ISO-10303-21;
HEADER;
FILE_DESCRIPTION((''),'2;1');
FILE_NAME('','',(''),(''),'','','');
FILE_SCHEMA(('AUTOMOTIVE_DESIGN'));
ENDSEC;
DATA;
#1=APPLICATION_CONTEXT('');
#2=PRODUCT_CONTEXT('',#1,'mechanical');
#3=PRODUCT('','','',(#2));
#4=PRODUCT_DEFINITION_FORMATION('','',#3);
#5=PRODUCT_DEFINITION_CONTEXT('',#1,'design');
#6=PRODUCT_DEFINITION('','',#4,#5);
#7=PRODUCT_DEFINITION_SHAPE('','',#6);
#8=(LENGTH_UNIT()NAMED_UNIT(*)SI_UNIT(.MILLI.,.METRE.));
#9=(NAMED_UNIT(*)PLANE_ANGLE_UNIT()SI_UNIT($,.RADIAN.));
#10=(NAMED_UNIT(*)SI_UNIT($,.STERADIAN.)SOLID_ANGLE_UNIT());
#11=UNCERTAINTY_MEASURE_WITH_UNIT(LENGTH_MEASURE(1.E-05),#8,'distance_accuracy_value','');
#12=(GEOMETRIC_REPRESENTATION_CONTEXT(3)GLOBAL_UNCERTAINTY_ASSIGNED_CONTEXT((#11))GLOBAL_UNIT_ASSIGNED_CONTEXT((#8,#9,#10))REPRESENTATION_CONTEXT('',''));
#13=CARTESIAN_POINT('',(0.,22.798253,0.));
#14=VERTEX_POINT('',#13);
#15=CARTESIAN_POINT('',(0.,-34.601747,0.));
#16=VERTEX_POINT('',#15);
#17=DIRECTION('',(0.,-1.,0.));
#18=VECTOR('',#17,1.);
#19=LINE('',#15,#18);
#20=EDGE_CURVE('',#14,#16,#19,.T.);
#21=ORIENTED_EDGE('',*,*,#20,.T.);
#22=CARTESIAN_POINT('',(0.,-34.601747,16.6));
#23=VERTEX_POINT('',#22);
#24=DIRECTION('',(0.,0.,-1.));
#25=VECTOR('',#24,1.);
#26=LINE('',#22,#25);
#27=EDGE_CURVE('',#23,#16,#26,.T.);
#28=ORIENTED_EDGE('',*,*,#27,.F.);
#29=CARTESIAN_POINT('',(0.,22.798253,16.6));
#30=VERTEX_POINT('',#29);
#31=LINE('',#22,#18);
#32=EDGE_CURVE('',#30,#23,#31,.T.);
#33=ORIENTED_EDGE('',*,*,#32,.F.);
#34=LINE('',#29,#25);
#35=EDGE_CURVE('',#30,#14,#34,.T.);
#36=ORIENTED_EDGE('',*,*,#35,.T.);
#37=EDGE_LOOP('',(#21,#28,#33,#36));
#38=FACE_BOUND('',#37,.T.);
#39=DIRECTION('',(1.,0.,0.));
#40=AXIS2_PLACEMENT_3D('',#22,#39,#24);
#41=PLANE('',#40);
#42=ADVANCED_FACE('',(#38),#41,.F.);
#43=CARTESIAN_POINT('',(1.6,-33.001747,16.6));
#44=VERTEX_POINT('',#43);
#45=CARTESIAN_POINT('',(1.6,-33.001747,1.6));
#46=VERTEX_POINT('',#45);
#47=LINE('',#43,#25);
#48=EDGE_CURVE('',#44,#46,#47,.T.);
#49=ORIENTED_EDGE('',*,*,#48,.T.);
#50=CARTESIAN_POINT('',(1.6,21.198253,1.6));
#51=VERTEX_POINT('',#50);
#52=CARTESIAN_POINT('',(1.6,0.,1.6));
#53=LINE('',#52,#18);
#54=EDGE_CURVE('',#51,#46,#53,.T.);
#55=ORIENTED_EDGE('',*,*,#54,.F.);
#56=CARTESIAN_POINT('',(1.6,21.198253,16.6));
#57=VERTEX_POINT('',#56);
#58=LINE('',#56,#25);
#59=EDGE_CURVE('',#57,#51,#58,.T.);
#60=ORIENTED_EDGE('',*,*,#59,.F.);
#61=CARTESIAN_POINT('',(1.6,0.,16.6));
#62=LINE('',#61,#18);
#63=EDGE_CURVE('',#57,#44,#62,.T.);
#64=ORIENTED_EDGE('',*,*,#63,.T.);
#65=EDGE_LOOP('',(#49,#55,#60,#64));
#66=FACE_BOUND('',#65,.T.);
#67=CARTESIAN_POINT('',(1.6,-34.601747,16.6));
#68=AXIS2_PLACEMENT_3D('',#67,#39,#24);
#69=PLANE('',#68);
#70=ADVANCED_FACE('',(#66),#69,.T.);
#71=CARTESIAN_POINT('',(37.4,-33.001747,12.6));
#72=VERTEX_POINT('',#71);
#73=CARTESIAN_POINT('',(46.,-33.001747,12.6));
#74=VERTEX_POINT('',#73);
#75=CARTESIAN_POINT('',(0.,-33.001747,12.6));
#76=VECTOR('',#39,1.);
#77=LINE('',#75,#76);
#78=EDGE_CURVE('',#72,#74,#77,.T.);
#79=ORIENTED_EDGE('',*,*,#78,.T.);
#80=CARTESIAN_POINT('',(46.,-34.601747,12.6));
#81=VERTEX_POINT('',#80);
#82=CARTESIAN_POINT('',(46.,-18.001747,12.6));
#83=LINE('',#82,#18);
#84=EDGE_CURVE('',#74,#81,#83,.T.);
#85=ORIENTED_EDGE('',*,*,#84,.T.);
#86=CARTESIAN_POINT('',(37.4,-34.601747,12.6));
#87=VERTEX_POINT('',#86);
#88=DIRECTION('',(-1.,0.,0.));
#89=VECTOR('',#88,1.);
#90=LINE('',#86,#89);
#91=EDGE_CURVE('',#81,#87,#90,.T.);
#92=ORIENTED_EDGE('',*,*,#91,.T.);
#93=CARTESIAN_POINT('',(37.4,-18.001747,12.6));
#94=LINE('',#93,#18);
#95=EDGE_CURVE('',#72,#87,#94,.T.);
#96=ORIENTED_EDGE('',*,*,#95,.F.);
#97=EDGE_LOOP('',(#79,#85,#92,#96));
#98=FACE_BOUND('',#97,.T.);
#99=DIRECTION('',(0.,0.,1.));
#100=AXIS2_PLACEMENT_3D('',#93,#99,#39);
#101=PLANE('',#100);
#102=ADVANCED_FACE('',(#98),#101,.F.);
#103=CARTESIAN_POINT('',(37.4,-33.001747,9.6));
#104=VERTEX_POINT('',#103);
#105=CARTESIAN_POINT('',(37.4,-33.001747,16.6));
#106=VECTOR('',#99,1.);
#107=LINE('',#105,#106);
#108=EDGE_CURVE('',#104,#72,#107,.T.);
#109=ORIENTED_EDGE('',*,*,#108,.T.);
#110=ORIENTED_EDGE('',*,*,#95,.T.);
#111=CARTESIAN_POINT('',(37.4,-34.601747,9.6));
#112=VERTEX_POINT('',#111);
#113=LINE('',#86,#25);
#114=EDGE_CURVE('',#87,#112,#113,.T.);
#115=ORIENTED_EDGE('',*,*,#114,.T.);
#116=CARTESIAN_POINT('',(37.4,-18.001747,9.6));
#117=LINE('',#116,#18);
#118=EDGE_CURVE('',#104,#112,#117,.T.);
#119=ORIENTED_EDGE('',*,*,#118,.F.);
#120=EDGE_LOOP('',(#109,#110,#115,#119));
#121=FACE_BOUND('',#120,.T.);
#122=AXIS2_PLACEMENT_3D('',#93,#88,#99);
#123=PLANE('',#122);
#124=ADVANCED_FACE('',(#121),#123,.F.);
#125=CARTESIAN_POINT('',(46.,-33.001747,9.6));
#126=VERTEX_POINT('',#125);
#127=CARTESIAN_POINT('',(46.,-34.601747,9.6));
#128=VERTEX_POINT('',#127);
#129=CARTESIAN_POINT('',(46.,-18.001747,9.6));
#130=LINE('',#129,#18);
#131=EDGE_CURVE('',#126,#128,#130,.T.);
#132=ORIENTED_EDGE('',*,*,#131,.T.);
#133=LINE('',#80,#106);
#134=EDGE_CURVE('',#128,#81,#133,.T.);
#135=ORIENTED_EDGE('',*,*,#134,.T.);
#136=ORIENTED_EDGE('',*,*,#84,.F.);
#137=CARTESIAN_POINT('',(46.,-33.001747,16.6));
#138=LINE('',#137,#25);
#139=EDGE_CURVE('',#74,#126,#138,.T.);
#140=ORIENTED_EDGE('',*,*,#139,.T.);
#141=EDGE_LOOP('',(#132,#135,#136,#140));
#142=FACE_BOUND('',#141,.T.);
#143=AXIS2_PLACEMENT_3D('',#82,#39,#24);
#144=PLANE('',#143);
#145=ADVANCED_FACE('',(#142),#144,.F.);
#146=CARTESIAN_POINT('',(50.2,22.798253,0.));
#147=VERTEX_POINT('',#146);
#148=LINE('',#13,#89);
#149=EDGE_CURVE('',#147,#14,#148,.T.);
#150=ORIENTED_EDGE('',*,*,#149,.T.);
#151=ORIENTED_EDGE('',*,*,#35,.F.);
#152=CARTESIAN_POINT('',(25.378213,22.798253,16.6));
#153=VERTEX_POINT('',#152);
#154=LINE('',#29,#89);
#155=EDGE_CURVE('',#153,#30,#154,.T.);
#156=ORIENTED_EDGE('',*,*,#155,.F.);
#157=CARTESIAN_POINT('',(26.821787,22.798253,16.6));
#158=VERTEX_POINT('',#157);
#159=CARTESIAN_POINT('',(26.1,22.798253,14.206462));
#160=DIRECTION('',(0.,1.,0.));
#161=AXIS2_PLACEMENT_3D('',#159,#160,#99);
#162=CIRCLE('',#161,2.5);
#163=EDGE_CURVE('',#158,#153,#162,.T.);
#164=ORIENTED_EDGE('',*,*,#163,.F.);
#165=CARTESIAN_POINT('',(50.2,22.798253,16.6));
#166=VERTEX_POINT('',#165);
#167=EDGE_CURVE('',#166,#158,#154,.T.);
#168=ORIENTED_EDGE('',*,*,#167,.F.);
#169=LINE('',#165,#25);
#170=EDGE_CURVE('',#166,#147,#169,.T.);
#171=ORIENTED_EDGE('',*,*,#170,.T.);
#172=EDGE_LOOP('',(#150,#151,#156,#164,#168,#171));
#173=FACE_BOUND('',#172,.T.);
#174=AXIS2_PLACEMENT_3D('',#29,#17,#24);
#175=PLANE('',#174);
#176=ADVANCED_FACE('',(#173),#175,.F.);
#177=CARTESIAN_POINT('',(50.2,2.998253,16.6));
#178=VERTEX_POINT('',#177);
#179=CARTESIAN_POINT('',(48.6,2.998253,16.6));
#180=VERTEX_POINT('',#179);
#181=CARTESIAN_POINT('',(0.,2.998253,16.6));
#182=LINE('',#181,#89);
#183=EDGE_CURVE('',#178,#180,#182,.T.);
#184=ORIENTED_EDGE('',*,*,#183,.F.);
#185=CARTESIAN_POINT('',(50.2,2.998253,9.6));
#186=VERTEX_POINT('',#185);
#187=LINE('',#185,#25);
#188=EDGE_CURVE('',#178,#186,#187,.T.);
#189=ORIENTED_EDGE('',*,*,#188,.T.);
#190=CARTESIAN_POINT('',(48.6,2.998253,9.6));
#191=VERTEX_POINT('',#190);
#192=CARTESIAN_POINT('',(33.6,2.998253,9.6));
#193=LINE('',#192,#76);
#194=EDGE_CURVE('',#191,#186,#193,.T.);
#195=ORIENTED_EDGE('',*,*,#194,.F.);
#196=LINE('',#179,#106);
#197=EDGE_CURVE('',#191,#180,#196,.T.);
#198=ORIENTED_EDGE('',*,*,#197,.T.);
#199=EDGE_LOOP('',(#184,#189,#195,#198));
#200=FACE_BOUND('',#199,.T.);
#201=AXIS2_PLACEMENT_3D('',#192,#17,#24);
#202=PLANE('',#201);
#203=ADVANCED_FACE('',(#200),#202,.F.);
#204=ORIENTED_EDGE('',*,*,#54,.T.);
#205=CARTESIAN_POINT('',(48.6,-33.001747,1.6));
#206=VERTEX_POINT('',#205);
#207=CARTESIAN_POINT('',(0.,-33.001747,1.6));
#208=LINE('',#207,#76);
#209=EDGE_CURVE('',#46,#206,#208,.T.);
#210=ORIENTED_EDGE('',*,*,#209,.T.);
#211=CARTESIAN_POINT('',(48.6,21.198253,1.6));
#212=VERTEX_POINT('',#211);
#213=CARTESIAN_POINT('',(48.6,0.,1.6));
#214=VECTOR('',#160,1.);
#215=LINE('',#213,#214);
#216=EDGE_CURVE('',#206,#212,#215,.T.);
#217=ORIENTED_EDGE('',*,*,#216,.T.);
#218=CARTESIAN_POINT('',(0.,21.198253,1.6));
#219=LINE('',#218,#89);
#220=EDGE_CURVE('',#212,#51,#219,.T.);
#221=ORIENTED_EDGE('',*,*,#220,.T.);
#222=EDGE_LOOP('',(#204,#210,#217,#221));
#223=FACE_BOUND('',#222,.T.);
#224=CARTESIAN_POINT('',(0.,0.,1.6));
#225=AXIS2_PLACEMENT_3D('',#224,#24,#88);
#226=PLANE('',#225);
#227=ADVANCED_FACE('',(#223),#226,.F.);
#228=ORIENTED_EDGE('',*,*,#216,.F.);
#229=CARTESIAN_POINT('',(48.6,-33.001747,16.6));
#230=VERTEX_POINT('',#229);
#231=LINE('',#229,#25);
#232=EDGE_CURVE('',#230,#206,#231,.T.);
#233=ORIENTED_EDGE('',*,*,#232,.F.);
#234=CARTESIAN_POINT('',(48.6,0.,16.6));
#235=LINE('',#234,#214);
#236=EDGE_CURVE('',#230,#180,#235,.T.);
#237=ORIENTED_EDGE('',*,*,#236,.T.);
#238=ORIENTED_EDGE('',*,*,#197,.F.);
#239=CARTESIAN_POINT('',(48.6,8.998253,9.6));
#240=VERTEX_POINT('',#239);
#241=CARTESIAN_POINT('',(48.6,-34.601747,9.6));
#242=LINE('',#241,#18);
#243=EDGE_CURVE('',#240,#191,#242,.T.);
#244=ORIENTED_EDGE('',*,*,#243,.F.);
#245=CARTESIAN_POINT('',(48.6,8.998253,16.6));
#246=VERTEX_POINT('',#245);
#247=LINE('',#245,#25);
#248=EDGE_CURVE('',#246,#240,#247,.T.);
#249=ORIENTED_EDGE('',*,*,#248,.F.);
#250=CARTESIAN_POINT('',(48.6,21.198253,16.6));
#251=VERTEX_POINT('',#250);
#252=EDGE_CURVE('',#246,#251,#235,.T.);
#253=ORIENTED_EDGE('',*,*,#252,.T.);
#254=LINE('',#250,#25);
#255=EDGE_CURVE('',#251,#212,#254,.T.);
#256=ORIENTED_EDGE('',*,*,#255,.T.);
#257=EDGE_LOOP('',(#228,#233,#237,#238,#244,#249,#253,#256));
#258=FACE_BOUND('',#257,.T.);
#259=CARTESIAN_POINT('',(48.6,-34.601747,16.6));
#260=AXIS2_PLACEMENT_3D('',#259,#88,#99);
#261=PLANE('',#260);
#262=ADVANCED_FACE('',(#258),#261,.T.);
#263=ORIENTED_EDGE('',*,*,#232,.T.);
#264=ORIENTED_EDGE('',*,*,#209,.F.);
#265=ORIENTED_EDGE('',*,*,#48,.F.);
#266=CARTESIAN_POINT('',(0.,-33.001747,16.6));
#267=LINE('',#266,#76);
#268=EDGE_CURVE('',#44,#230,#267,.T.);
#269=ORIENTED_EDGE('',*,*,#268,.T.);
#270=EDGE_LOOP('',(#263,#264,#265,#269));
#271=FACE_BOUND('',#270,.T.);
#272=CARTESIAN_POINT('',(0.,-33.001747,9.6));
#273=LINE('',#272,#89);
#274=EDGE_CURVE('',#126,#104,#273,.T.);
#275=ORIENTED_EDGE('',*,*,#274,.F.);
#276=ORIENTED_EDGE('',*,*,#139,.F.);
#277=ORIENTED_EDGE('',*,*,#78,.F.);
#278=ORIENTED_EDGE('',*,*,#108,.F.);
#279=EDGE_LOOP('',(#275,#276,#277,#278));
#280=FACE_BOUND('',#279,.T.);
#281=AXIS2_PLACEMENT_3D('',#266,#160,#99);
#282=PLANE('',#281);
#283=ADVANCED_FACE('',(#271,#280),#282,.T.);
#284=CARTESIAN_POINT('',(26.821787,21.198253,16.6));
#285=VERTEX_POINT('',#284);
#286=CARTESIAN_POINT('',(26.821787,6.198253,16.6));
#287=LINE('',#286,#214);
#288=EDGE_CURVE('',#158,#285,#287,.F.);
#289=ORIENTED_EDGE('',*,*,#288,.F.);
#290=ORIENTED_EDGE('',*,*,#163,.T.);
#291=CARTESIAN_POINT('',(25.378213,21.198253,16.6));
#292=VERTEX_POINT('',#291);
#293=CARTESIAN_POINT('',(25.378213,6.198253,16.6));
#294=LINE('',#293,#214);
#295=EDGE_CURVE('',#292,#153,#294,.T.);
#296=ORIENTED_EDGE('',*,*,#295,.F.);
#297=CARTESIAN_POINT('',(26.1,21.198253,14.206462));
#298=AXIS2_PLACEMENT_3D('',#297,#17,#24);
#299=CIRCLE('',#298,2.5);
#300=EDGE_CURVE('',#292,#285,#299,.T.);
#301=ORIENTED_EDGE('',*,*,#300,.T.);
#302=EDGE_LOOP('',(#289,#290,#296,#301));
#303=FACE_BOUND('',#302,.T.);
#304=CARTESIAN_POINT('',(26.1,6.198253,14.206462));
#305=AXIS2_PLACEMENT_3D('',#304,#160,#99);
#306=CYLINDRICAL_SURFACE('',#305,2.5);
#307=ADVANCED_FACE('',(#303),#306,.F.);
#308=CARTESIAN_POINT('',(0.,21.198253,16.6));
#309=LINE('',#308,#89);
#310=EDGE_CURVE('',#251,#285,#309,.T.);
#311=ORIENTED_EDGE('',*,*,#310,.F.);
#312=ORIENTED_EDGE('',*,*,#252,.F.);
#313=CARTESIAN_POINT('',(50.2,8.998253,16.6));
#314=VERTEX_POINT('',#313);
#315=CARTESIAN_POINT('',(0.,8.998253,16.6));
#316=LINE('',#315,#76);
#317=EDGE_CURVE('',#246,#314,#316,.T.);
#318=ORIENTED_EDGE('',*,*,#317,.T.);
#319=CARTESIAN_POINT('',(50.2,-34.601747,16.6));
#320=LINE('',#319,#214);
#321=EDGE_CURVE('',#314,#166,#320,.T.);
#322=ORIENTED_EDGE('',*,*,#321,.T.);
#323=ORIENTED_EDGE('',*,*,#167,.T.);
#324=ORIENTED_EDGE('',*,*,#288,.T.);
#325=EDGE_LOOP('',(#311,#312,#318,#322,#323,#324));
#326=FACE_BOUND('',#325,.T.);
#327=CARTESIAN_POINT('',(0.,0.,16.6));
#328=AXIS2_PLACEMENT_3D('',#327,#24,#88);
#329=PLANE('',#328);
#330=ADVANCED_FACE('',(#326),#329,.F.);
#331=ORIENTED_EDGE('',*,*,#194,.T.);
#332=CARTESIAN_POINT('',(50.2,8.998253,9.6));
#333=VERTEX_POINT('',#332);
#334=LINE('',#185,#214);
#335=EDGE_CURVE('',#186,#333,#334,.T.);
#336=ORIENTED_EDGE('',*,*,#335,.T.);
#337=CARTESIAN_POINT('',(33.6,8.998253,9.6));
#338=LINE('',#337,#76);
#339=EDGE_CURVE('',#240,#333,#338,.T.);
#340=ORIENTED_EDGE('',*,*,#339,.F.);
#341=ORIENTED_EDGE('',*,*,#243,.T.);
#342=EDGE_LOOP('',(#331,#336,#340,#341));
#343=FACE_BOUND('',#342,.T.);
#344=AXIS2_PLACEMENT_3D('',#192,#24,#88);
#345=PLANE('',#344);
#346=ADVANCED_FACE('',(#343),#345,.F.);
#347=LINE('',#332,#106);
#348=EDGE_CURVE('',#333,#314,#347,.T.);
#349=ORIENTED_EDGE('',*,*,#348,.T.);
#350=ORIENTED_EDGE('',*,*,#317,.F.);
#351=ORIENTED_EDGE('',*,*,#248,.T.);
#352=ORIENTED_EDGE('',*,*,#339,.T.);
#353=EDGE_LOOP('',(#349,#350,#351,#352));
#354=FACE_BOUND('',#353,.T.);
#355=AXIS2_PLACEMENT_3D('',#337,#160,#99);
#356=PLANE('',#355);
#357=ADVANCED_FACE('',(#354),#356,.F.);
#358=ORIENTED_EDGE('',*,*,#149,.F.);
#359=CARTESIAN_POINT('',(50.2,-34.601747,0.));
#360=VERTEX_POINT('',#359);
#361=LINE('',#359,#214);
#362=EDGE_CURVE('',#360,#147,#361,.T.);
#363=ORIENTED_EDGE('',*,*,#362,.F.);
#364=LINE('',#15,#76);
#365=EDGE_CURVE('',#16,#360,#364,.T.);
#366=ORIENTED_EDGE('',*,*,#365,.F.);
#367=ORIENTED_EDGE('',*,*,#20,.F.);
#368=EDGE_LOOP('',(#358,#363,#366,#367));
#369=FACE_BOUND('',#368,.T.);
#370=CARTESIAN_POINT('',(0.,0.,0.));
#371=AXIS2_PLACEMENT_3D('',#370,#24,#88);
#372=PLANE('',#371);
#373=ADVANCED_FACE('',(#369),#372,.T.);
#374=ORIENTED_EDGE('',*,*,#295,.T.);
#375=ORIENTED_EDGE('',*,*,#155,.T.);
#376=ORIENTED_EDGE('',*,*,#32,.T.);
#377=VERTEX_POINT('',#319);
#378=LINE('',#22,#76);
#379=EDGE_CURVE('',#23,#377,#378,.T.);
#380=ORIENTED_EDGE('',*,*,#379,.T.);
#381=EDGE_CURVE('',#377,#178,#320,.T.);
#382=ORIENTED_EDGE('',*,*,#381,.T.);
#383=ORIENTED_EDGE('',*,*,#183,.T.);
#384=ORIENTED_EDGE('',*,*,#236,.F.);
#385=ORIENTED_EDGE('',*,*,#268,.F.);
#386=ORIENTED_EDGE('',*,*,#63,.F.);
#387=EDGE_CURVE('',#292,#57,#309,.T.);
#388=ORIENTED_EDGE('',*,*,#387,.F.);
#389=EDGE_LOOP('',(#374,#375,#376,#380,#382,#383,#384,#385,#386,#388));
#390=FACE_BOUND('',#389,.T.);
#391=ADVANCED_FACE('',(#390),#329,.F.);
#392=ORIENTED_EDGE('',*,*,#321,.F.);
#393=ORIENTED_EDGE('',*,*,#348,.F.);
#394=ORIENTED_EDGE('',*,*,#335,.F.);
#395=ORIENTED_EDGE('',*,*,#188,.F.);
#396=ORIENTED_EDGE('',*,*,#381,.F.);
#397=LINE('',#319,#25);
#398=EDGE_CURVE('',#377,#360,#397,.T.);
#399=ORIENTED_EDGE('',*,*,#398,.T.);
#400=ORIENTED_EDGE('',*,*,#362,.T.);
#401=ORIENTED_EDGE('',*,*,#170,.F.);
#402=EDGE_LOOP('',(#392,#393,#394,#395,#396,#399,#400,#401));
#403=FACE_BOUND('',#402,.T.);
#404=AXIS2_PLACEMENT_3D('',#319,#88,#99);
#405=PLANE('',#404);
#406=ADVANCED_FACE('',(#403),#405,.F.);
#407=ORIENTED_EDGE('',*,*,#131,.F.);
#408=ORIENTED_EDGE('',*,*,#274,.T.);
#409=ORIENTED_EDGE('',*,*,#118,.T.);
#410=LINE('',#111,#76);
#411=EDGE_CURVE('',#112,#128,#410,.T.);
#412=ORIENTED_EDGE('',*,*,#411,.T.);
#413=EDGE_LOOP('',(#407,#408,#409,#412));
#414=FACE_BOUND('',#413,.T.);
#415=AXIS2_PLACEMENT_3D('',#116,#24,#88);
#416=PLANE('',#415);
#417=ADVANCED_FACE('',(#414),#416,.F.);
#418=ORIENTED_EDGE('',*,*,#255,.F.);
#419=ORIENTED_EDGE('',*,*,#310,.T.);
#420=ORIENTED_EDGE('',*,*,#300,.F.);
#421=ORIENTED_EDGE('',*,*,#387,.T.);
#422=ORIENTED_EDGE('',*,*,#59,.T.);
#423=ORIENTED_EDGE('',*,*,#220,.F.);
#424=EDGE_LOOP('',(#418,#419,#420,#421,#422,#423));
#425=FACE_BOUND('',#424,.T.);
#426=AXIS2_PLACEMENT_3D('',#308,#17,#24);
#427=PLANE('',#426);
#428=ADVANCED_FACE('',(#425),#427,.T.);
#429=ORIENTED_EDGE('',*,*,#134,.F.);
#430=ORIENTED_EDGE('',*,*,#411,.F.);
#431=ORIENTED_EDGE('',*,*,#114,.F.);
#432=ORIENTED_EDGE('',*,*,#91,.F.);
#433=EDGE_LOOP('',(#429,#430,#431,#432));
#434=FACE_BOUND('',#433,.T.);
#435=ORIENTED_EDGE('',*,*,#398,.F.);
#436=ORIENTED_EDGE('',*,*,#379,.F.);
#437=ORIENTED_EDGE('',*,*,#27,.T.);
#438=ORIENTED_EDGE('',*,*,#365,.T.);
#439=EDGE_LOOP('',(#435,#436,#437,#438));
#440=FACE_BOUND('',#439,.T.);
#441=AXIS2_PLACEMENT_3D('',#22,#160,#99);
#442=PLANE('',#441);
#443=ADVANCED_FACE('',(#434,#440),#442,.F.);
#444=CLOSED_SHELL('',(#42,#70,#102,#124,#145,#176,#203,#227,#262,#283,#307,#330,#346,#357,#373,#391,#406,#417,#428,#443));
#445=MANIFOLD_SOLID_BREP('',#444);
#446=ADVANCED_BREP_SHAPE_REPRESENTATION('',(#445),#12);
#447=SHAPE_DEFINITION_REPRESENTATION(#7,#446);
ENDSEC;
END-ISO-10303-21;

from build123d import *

# Parameters (mm, degrees)
SKETCH1_W           = 50.2
SKETCH1_H           = 57.4
BOSS_EXTRUDE1_DEPTH = 16.6
SHELL1_T            = -1.6
SKETCH2_W           = 8.6
SKETCH2_H           = 3
CUT_EXTRUDE1_DEPTH  = 16.6
SKETCH3_W           = 9.2
SKETCH3_H           = 6
CUT_EXTRUDE2_DEPTH  = 16.6
SKETCH4_R           = 2.5
CUT_EXTRUDE3_DEPTH  = 16.6


with BuildPart() as part:
    # Sketch1 → Boss-Extrude1 (new body)
    with BuildSketch(Plane.XY):
        with Locations((25.1, -5.901746725)):
            Rectangle(SKETCH1_W, SKETCH1_H)
    extrude(amount=BOSS_EXTRUDE1_DEPTH)

    # Shell1
    shell1_openings = [part.faces().sort_by_distance(p)[0] for p in [
        (25.1, -5.901746725, 16.6),
    ]]
    offset(amount=SHELL1_T, openings=shell1_openings, kind=Kind.INTERSECTION)

    # Sketch2 → Cut-Extrude1 (cut)
    with BuildSketch(Plane.XZ.offset(34.601746725)):
        with Locations((41.7, 11.1)):
            Rectangle(SKETCH2_W, SKETCH2_H)
    extrude(amount=-CUT_EXTRUDE1_DEPTH, mode=Mode.SUBTRACT)

    # Sketch3 → Cut-Extrude2 (cut)
    with BuildSketch(Plane(origin=(50.2, 0, 0), x_dir=(0, 0, -1), z_dir=(1, 0, 0))):
        with Locations((-14.2, 5.998253275)):
            Rectangle(SKETCH3_W, SKETCH3_H)
    extrude(amount=-CUT_EXTRUDE2_DEPTH, mode=Mode.SUBTRACT)

    # Sketch4 → Cut-Extrude3 (cut)
    with BuildSketch(Plane(origin=(0, 22.798253275, 0), x_dir=(1, 0, 0), z_dir=(0, 1, 0))):
        with Locations((26.1, -14.206462085)):
            Circle(SKETCH4_R)
    extrude(amount=-CUT_EXTRUDE3_DEPTH, mode=Mode.SUBTRACT)


solid = part.part
